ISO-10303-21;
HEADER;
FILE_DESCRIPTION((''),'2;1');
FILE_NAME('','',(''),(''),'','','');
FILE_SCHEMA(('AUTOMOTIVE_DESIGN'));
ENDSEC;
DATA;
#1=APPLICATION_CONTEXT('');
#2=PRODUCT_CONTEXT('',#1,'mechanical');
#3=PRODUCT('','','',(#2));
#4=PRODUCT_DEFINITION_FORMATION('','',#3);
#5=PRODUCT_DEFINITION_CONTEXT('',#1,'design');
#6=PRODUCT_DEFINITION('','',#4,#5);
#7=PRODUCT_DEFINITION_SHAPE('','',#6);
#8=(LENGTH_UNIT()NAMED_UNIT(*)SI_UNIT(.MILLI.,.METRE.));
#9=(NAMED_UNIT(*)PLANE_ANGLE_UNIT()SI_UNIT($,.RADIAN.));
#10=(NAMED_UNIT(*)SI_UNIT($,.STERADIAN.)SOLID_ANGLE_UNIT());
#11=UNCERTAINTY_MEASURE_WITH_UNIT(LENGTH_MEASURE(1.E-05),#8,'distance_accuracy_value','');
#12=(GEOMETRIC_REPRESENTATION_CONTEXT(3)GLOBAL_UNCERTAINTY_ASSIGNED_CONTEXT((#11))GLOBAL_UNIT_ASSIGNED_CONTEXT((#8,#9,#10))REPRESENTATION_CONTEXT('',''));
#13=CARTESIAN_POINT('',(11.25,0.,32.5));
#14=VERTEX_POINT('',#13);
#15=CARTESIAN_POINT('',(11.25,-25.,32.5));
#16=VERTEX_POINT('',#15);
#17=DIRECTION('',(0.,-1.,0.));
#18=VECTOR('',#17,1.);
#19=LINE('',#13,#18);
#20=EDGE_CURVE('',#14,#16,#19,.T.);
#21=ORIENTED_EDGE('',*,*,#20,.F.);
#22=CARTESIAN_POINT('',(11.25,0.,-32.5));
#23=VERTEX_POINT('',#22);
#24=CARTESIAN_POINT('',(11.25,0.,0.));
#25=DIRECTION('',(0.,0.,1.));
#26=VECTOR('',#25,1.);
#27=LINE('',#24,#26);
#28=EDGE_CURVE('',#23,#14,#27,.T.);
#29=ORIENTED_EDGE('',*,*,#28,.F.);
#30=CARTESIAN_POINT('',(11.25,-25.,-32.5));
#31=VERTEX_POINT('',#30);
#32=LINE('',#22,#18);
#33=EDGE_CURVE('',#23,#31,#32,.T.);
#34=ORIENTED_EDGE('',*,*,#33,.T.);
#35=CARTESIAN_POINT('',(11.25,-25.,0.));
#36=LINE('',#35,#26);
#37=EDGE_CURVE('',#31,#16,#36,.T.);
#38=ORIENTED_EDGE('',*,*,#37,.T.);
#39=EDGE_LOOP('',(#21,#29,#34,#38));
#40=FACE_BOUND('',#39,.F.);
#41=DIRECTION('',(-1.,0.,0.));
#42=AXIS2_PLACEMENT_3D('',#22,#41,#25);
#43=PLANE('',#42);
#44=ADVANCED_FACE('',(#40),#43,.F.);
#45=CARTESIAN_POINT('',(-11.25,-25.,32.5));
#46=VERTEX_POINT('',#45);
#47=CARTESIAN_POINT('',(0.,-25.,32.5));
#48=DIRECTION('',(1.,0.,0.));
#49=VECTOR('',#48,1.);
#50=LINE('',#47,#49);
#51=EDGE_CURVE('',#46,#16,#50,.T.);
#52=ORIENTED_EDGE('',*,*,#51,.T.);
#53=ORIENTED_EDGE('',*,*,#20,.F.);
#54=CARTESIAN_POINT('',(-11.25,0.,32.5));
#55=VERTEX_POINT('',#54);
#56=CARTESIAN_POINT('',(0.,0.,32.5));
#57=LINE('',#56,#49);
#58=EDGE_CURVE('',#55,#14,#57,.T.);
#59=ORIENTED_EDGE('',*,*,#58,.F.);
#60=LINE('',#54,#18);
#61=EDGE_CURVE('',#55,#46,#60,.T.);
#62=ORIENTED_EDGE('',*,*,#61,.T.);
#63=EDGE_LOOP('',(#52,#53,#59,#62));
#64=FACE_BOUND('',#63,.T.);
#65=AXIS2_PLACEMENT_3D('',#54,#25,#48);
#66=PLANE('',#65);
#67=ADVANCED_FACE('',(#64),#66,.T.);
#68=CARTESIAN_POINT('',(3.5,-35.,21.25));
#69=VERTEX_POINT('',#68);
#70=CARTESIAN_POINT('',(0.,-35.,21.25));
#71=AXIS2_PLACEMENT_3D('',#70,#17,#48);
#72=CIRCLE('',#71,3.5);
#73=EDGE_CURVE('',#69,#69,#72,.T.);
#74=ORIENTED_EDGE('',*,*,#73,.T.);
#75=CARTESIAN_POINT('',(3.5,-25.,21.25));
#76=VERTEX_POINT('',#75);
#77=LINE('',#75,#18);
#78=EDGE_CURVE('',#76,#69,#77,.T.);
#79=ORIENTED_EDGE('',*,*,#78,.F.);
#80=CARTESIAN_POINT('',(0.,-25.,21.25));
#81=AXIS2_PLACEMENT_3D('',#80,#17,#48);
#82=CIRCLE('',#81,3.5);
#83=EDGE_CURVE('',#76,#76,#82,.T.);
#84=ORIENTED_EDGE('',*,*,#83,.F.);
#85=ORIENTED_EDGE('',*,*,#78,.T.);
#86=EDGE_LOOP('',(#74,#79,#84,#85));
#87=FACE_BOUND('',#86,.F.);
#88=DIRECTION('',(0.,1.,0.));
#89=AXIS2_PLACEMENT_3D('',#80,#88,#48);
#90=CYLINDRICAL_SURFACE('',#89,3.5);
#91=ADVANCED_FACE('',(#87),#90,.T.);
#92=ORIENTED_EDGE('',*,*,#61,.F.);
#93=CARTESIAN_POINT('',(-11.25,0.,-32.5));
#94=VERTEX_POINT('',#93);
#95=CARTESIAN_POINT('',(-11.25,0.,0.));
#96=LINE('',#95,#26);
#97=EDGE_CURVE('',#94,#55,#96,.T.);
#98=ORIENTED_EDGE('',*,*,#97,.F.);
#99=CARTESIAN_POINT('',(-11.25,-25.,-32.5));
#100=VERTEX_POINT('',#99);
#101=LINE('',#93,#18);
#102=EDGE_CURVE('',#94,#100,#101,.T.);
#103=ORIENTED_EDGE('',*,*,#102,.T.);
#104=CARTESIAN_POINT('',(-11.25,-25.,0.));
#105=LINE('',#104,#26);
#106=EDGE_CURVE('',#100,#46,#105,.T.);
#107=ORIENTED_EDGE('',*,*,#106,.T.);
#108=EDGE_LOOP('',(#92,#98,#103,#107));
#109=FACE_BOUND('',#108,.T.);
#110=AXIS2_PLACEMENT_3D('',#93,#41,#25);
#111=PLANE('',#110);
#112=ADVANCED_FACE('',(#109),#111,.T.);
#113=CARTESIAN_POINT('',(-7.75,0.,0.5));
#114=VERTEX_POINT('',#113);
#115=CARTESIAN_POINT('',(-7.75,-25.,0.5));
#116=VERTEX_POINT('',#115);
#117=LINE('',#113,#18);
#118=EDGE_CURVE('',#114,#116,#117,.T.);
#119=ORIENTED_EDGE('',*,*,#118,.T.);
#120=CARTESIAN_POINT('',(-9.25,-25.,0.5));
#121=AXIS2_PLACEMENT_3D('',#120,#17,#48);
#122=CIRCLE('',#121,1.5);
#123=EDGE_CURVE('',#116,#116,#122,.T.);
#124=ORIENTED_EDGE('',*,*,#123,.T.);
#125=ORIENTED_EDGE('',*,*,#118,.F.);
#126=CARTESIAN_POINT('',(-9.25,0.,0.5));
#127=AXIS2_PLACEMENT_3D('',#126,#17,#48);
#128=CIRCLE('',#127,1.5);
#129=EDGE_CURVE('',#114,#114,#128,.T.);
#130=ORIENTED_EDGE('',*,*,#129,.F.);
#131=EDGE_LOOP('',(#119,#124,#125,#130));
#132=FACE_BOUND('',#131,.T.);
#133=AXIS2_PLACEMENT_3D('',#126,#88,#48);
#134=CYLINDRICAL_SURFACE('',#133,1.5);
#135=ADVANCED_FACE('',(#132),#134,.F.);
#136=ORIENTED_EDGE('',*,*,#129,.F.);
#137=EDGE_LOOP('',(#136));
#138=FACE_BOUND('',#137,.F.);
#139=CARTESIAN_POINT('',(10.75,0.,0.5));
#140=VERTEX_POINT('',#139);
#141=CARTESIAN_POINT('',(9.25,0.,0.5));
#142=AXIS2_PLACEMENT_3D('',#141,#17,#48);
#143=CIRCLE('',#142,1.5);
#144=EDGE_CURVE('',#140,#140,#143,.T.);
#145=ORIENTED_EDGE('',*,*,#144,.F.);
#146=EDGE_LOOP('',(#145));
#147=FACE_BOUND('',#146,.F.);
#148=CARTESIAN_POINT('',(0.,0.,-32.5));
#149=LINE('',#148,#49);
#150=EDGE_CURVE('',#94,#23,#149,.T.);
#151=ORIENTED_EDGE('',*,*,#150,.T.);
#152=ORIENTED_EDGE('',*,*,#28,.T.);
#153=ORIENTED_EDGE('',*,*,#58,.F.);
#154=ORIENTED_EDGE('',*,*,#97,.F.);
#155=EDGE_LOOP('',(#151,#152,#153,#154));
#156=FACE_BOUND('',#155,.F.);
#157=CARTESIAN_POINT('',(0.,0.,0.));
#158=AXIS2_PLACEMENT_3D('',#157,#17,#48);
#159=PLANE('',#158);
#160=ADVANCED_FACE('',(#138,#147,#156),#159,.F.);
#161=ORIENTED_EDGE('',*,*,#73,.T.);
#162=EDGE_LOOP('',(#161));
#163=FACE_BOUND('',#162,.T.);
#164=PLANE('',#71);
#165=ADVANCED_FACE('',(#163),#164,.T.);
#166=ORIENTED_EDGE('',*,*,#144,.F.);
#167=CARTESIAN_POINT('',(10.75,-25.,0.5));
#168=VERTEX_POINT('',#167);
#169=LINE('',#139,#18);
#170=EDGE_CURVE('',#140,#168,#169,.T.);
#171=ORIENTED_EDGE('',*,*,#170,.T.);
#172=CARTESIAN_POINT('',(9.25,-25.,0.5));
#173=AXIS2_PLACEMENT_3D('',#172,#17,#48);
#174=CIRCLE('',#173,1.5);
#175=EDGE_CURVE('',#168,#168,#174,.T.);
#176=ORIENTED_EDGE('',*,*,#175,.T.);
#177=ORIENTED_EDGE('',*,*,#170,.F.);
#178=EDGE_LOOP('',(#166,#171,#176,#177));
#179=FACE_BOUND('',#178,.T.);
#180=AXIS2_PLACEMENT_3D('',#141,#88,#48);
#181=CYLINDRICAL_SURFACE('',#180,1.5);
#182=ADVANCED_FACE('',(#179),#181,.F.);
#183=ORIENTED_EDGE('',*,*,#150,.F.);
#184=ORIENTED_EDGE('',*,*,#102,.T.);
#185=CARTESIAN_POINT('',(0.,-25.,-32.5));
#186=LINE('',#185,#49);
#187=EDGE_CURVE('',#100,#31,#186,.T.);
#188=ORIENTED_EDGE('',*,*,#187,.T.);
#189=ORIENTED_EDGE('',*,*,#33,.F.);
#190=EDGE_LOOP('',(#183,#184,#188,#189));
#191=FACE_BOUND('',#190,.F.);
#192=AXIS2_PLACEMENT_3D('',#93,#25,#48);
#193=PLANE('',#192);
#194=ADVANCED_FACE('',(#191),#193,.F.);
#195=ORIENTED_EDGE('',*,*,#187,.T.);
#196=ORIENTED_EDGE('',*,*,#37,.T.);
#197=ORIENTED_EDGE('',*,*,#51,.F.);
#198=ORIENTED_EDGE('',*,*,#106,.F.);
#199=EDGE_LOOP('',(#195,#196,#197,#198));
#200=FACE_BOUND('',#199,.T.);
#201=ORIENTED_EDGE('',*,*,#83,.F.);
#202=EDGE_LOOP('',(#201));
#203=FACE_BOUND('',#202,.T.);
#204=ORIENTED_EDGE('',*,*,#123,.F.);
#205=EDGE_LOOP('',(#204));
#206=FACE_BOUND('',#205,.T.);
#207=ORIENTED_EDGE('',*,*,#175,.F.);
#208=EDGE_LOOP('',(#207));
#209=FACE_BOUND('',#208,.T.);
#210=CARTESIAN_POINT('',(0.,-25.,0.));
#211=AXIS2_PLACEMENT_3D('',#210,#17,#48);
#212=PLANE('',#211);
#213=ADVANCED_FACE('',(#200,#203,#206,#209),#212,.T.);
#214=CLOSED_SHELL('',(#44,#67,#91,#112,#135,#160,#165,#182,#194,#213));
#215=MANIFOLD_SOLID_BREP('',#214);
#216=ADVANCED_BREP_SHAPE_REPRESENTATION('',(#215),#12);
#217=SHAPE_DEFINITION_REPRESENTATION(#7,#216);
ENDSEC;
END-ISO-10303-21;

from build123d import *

# Parameters (mm, degrees)
F0_W     = 22.5
F0_H     = 65
F0_R     = 1.5
F1_DEPTH = 25
F2_R     = 3.5
F3_DEPTH = 10


with BuildPart() as f1:
    # F0 (on Front) → F1 (new body)
    with BuildSketch(Plane.XZ):
        Rectangle(F0_W, F0_H)
        with Locations((-9.25, 0.5)):
            Circle(F0_R, mode=Mode.SUBTRACT)
        with Locations((9.25, 0.5)):
            Circle(F0_R, mode=Mode.SUBTRACT)
    extrude(amount=F1_DEPTH)

    # F2 (on face) → F3 (join)
    with BuildSketch(Plane.XZ.offset(25)):
        with Locations((0, 21.25)):
            Circle(F2_R)
    extrude(amount=F3_DEPTH)


solid = f1.part
